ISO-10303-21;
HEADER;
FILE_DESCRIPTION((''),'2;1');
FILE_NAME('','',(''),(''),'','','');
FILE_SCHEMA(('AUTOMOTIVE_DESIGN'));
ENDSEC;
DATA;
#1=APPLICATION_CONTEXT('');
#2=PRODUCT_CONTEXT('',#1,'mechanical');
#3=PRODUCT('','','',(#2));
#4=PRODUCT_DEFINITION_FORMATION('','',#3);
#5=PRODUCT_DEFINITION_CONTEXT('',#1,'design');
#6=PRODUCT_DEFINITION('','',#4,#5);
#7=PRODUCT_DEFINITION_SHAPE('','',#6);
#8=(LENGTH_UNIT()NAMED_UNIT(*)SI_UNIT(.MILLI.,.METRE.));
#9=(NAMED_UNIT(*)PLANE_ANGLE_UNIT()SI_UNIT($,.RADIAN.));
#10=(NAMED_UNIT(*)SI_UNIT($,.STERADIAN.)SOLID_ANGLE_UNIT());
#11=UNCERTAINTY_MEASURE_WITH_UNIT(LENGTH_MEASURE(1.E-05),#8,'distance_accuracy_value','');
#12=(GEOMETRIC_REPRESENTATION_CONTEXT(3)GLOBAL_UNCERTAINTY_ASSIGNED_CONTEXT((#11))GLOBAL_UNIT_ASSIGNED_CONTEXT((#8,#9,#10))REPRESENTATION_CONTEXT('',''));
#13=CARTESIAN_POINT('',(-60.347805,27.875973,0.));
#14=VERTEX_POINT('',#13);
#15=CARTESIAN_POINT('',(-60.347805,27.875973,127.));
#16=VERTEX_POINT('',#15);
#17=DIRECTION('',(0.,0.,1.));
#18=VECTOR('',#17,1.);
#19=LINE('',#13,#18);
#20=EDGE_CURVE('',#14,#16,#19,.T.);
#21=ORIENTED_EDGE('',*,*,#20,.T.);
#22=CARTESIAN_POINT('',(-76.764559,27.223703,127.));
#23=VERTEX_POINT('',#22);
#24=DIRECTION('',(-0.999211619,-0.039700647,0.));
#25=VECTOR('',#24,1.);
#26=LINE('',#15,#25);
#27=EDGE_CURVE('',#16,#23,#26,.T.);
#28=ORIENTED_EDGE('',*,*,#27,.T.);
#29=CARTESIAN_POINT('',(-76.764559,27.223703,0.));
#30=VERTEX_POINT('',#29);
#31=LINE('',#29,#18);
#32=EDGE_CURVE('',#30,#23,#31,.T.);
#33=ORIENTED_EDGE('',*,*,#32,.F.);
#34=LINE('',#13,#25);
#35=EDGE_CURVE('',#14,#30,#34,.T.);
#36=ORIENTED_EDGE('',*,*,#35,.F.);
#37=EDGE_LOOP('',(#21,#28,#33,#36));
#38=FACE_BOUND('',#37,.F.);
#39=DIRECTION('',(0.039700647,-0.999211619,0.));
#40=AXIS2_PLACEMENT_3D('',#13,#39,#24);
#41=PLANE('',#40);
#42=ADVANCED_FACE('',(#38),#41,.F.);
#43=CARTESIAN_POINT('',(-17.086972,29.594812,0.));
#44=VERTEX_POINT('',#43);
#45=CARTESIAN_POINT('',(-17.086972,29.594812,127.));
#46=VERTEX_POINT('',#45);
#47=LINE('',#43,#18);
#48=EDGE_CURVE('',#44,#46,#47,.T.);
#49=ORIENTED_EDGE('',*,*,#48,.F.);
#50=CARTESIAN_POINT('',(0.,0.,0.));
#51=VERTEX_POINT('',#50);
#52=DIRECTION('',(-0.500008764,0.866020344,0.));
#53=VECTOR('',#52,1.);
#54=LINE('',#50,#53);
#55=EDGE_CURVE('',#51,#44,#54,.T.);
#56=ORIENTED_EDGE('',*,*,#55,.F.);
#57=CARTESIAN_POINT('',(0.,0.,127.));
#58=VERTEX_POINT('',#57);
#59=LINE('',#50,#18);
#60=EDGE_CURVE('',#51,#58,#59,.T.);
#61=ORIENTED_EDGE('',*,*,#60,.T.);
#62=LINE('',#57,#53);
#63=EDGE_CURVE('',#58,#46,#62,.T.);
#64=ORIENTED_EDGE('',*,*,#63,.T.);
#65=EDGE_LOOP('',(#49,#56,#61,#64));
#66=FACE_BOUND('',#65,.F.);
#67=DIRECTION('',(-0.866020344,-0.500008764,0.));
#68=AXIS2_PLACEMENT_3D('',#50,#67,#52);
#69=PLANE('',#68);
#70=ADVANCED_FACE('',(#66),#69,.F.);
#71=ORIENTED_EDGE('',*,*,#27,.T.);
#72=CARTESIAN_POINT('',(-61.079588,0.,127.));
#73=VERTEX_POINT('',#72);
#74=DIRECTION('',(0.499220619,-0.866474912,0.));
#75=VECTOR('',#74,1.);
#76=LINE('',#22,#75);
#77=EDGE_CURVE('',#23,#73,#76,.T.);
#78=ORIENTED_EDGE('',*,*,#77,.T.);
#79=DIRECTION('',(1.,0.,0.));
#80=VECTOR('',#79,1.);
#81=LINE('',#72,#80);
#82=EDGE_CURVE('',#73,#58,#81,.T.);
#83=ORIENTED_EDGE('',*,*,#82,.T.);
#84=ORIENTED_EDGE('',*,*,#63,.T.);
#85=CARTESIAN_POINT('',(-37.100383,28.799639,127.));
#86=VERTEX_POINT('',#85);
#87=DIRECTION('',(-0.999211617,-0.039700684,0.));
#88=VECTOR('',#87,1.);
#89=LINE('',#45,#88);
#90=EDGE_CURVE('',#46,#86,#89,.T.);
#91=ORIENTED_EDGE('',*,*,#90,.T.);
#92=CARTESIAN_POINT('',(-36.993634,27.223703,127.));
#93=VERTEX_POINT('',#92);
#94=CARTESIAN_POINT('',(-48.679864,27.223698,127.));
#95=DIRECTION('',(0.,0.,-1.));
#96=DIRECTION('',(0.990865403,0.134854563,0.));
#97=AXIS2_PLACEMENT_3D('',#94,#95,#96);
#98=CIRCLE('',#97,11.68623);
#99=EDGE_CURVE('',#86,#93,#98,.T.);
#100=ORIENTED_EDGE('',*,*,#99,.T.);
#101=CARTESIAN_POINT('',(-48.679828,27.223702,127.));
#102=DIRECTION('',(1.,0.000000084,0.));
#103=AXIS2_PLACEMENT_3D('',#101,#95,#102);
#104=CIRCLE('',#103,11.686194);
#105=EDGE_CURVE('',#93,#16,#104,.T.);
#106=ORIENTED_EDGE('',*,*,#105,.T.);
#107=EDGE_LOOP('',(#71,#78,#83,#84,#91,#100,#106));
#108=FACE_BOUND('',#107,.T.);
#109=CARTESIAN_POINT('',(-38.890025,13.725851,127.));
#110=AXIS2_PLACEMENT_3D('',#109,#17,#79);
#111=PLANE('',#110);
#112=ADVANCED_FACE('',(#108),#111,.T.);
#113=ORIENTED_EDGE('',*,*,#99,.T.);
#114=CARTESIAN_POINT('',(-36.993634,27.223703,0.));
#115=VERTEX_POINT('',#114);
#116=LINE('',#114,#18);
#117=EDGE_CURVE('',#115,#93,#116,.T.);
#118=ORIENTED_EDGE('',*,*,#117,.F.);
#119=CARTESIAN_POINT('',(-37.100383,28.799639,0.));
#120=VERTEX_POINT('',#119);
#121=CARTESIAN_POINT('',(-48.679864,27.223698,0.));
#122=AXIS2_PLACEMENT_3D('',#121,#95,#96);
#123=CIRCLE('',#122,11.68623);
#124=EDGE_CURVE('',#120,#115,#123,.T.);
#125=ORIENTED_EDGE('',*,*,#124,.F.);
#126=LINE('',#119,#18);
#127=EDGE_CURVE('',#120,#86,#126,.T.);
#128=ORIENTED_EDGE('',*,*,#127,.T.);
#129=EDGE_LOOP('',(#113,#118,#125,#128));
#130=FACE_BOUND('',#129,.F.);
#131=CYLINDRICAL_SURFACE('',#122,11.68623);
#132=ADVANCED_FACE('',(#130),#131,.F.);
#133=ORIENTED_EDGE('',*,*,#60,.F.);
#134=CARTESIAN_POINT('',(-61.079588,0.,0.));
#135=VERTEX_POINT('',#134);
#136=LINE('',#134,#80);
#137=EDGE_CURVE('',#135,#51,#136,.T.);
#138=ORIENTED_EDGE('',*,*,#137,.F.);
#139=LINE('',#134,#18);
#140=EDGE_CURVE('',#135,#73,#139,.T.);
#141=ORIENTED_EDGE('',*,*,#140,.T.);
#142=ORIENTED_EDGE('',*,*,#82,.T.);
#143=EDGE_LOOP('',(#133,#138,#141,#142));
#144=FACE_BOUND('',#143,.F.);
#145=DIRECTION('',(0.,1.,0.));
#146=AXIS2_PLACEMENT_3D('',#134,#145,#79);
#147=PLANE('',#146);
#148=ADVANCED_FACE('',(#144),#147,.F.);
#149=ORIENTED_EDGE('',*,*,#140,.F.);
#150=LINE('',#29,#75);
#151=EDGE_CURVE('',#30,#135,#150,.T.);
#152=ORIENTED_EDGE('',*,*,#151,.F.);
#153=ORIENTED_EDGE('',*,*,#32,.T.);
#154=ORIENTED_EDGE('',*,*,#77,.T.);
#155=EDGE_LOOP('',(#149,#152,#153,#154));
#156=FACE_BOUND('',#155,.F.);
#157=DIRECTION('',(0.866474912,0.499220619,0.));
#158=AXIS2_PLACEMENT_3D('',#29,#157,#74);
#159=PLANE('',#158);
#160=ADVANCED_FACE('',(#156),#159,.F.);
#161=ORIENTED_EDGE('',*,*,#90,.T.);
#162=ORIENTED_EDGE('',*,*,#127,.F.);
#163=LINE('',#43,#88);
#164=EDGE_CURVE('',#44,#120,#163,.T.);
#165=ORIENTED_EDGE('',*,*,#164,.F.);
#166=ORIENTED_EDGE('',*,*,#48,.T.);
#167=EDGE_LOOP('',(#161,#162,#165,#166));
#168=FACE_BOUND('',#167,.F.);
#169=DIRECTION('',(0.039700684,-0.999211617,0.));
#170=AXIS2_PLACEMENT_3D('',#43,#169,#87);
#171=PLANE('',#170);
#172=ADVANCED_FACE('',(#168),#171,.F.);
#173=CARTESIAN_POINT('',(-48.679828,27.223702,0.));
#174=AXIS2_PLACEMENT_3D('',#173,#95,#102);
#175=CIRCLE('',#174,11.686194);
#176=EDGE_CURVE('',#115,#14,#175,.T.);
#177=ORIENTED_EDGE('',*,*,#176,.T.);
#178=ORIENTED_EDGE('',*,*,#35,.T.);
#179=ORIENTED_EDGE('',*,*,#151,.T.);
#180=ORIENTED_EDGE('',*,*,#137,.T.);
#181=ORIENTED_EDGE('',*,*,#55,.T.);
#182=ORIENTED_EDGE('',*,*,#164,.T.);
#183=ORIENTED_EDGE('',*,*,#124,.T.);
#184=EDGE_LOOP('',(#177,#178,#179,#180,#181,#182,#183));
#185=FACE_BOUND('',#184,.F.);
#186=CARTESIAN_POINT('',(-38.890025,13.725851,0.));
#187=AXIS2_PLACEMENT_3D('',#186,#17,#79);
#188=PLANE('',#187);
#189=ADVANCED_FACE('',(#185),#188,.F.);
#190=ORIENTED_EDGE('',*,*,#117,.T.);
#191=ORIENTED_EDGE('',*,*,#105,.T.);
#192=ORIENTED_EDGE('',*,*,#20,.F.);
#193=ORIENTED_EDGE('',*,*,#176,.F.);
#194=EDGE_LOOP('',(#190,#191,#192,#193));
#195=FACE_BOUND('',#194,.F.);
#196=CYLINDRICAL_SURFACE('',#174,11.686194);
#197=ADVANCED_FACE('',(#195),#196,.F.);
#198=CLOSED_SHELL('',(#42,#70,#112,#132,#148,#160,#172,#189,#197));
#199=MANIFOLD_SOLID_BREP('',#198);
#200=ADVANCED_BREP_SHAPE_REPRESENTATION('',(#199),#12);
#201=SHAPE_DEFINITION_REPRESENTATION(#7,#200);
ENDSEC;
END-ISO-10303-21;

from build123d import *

# Parameters (mm, degrees)
F1_DEPTH = 127


with BuildPart() as f1:
    # F0 (on Top) → F1 (new body)
    with BuildSketch(Plane.XY):
        with BuildLine():
            Line((-61.079588, 0), (0, 0))
            Line((0, 0), (-17.086972, 29.594812))
            Line((-17.086972, 29.594812), (-37.100383, 28.799639))
            ThreePointArc((-37.100383, 28.799639), (-37.020352, 28.013477), (-36.993634, 27.223703))
            ThreePointArc((-36.993634, 27.223703), (-49.006091, 15.542063), (-60.347805, 27.875973))
            Line((-60.347805, 27.875973), (-76.764559, 27.223703))
            Line((-76.764559, 27.223703), (-61.079588, 0))
        make_face()
    extrude(amount=F1_DEPTH)


solid = f1.part
